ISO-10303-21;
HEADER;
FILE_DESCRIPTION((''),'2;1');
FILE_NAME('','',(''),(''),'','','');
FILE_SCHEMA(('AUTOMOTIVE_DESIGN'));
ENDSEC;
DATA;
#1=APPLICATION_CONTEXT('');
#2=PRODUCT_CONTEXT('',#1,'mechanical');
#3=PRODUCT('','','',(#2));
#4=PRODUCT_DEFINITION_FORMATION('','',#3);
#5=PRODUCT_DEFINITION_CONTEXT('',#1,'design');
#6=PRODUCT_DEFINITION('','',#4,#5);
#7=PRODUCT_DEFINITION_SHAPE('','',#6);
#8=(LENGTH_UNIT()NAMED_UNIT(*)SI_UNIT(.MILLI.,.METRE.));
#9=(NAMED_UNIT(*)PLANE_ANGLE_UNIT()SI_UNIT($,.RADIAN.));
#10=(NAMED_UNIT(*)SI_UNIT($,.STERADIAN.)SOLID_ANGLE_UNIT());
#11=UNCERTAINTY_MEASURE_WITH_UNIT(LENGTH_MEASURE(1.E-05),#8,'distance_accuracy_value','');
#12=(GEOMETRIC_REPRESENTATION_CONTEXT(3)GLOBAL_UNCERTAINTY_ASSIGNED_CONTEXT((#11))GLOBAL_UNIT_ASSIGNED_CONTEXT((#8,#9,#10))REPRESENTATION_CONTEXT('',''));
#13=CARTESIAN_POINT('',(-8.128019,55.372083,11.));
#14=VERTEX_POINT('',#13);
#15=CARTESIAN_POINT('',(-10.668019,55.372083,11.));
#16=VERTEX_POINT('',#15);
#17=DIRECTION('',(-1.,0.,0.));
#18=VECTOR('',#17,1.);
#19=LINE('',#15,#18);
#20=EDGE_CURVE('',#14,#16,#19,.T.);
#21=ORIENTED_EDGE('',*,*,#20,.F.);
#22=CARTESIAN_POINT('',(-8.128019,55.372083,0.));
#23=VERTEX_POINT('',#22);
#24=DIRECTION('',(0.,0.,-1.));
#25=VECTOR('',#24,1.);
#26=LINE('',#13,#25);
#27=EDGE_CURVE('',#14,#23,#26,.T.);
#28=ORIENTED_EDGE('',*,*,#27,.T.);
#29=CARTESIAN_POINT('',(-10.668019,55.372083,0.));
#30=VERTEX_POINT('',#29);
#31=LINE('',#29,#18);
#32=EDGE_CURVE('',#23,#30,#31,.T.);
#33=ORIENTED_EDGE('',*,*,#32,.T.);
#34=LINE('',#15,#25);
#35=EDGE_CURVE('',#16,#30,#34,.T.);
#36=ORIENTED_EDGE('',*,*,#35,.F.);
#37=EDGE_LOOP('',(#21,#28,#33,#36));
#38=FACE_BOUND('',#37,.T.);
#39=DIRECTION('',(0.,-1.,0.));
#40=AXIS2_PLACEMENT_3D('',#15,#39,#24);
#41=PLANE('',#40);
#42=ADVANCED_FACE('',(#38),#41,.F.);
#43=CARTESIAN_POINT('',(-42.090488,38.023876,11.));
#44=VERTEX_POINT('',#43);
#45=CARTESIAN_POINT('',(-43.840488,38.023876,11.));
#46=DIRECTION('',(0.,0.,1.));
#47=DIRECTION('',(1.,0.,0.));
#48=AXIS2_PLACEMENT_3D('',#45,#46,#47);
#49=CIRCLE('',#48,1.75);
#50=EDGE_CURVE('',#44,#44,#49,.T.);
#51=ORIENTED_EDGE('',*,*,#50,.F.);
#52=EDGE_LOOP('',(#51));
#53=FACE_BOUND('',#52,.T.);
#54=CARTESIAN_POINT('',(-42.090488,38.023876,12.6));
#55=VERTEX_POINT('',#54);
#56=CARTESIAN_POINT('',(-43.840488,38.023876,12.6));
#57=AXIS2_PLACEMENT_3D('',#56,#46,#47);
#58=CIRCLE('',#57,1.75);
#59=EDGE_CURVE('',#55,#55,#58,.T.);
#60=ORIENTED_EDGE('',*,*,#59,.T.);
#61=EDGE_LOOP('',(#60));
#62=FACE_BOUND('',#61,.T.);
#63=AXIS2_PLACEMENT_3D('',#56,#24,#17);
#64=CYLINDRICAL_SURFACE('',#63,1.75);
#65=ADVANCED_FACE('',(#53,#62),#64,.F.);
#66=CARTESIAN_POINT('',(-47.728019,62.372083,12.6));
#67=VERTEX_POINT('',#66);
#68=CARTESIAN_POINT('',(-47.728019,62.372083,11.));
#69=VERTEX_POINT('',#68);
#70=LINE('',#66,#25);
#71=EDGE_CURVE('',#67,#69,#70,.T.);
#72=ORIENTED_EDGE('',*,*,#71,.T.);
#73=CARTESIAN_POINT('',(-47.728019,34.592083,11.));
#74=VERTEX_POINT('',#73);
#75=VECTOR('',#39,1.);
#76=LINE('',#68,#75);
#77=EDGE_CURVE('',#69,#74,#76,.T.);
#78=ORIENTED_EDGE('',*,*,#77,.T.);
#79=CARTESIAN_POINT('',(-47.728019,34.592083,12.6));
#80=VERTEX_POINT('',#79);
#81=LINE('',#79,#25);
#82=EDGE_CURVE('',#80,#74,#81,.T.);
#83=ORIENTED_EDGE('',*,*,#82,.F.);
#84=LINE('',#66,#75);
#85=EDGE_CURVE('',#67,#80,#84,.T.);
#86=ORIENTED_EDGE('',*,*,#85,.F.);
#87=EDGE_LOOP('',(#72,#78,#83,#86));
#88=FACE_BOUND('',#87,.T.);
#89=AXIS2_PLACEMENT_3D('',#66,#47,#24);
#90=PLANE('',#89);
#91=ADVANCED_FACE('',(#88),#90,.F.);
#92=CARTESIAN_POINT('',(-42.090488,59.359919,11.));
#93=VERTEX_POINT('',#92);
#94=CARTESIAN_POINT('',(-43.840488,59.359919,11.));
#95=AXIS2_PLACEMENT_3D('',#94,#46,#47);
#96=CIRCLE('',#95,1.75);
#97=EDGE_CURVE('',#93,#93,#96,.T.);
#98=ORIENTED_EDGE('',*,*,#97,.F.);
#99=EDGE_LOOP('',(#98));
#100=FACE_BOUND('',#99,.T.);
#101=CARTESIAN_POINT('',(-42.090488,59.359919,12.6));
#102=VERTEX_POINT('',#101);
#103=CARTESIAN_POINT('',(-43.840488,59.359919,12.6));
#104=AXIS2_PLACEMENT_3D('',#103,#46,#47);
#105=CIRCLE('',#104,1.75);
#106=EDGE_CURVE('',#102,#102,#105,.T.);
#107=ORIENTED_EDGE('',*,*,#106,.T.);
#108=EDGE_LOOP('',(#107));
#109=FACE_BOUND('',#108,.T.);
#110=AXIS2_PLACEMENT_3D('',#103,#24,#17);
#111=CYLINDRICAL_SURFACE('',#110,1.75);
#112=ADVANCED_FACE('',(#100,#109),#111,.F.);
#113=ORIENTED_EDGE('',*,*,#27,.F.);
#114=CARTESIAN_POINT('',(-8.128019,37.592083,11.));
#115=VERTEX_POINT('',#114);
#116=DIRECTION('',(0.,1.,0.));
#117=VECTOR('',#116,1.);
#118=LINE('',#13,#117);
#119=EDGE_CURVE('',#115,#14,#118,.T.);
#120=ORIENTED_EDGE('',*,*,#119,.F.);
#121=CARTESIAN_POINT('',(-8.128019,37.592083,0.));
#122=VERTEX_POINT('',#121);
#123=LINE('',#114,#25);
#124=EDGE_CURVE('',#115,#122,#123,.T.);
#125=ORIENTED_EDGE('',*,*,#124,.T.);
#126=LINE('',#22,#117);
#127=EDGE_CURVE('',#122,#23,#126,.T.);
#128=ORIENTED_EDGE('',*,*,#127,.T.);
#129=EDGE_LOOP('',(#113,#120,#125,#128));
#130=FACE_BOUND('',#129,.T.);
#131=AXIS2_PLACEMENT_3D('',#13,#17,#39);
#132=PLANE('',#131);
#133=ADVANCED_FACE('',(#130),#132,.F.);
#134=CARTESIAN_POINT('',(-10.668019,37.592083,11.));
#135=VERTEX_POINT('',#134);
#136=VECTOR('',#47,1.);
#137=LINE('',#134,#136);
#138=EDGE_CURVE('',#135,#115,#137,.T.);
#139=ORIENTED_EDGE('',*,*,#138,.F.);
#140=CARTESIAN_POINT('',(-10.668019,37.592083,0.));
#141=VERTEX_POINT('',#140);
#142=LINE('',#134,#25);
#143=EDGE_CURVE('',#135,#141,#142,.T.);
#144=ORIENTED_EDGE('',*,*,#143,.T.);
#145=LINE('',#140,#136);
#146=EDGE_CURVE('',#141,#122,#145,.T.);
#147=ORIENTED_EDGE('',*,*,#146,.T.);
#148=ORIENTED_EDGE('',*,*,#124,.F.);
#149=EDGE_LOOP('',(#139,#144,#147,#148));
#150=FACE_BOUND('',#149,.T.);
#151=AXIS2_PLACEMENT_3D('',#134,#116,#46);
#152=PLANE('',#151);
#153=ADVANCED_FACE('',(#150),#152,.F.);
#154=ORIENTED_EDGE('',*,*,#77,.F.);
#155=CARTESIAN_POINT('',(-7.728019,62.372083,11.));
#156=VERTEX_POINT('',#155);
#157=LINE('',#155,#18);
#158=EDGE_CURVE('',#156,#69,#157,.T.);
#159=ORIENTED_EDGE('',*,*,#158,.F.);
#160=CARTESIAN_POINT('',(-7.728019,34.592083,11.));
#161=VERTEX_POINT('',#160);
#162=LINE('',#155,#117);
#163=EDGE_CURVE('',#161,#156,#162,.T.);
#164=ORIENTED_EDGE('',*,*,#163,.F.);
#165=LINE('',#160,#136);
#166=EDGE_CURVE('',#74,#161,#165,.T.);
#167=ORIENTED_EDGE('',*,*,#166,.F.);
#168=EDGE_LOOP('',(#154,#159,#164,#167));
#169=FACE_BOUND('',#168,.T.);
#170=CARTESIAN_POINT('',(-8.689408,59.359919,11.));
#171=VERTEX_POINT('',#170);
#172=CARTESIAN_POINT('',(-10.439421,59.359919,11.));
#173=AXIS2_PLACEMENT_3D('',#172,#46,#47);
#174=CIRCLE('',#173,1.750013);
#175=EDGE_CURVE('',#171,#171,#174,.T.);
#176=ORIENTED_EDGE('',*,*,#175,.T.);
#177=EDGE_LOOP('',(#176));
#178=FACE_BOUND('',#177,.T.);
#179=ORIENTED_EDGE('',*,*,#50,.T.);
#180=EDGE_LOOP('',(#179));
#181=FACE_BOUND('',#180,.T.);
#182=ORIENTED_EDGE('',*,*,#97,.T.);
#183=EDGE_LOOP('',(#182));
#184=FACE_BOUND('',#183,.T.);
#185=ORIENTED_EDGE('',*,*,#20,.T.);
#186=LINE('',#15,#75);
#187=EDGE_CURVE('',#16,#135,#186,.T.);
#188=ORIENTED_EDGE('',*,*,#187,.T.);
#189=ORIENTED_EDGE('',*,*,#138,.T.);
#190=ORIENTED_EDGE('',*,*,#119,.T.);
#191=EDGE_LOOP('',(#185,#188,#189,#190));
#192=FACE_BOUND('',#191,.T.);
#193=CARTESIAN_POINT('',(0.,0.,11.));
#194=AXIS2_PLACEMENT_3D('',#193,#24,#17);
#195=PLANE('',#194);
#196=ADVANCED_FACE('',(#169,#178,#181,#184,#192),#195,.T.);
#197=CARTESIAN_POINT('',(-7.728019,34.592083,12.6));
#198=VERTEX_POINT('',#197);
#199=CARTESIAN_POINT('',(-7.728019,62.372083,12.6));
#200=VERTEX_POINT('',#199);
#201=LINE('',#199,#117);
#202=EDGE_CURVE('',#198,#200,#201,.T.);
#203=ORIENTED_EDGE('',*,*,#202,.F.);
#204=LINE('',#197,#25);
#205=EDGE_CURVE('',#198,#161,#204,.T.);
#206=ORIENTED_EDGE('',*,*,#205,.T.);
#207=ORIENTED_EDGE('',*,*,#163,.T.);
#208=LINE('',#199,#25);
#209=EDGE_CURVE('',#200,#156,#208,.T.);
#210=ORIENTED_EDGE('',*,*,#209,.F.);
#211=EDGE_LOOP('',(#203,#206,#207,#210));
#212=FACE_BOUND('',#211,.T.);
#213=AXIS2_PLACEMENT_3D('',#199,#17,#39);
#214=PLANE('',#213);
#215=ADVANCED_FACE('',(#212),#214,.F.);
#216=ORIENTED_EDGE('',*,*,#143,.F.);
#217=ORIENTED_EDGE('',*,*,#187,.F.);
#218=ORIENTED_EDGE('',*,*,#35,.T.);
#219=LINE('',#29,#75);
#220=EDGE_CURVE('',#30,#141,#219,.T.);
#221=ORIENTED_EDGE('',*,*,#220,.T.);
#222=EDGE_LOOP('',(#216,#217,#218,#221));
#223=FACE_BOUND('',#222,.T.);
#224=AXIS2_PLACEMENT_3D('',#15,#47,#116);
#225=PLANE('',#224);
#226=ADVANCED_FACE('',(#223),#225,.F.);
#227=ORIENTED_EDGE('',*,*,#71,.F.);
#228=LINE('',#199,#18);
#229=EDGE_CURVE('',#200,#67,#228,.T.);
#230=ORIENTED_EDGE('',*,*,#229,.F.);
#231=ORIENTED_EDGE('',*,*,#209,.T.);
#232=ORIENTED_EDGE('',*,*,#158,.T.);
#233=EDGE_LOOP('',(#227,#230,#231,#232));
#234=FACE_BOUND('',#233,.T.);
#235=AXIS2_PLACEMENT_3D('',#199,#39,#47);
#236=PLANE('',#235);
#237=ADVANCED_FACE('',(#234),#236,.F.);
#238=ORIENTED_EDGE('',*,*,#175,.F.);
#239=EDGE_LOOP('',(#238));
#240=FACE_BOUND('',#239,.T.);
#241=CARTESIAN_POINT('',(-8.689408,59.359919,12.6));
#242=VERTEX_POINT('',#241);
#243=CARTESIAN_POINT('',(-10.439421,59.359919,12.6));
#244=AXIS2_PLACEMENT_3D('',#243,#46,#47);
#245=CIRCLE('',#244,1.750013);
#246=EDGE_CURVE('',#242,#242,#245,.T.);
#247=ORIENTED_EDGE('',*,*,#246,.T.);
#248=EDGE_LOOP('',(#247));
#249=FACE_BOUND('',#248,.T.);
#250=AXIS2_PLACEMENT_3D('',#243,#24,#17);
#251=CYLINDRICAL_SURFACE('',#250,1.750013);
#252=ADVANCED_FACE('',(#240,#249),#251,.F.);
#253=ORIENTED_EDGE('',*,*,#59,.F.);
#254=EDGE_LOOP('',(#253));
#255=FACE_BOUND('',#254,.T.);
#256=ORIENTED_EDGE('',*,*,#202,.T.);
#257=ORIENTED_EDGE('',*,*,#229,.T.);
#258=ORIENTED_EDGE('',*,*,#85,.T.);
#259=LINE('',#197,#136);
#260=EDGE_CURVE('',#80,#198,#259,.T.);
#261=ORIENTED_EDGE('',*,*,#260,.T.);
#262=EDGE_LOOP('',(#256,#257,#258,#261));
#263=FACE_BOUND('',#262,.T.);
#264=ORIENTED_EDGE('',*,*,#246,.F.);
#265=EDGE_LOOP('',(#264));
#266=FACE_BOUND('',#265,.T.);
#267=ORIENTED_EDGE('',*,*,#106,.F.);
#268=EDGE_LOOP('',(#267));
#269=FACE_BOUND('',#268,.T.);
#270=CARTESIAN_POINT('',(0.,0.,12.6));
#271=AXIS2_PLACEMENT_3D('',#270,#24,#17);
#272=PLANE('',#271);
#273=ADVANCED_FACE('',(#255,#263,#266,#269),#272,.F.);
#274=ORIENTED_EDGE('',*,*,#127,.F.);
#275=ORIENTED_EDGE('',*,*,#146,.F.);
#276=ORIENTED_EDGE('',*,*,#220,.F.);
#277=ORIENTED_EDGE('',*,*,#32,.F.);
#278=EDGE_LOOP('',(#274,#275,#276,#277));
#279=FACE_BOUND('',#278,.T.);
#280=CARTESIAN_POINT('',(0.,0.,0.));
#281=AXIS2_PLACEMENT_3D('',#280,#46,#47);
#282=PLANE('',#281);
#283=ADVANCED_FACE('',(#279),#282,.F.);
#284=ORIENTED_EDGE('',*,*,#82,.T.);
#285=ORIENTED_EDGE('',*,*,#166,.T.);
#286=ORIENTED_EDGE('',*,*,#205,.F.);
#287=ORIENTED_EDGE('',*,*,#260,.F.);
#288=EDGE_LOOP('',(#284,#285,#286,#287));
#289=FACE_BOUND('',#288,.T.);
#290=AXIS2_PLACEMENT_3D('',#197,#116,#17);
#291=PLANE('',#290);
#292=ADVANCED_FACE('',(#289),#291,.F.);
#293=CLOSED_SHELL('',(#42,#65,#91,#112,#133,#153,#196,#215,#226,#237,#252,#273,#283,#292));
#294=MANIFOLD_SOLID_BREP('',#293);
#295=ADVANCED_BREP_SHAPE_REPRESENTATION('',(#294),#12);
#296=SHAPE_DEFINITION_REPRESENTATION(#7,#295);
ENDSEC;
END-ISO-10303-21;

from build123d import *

# Parameters (mm, degrees)
SKETCH_1_W      = 2.54
SKETCH_1_H      = 17.78
EXTRUDE_1_DEPTH = 11
SKETCH_2_W      = 40
SKETCH_2_H      = 27.78
SKETCH_2_R      = 1.7500127
SKETCH_2_R_2    = 1.75
EXTRUDE_2_DEPTH = 1.6


with BuildPart() as part:
    # 草图1 → 凸台-拉伸1 (new body)
    with BuildSketch(Plane.XY):
        with Locations((-9.398018796, 46.482082804)):
            Rectangle(SKETCH_1_W, SKETCH_1_H)
    extrude(amount=EXTRUDE_1_DEPTH)

    # 草图2 → 凸台-拉伸2 (add)
    with BuildSketch(Plane.XY.offset(11)):
        with Locations((-27.728018796, 48.482082804)):
            Rectangle(SKETCH_2_W, SKETCH_2_H)
        with Locations((-10.439420879, 59.35991872)):
            Circle(SKETCH_2_R, mode=Mode.SUBTRACT)
        with Locations((-43.840487681, 59.35991872)):
            Circle(SKETCH_2_R_2, mode=Mode.SUBTRACT)
        with Locations((-43.840487681, 38.023876048)):
            Circle(SKETCH_2_R_2, mode=Mode.SUBTRACT)
    extrude(amount=EXTRUDE_2_DEPTH)


solid = part.part
